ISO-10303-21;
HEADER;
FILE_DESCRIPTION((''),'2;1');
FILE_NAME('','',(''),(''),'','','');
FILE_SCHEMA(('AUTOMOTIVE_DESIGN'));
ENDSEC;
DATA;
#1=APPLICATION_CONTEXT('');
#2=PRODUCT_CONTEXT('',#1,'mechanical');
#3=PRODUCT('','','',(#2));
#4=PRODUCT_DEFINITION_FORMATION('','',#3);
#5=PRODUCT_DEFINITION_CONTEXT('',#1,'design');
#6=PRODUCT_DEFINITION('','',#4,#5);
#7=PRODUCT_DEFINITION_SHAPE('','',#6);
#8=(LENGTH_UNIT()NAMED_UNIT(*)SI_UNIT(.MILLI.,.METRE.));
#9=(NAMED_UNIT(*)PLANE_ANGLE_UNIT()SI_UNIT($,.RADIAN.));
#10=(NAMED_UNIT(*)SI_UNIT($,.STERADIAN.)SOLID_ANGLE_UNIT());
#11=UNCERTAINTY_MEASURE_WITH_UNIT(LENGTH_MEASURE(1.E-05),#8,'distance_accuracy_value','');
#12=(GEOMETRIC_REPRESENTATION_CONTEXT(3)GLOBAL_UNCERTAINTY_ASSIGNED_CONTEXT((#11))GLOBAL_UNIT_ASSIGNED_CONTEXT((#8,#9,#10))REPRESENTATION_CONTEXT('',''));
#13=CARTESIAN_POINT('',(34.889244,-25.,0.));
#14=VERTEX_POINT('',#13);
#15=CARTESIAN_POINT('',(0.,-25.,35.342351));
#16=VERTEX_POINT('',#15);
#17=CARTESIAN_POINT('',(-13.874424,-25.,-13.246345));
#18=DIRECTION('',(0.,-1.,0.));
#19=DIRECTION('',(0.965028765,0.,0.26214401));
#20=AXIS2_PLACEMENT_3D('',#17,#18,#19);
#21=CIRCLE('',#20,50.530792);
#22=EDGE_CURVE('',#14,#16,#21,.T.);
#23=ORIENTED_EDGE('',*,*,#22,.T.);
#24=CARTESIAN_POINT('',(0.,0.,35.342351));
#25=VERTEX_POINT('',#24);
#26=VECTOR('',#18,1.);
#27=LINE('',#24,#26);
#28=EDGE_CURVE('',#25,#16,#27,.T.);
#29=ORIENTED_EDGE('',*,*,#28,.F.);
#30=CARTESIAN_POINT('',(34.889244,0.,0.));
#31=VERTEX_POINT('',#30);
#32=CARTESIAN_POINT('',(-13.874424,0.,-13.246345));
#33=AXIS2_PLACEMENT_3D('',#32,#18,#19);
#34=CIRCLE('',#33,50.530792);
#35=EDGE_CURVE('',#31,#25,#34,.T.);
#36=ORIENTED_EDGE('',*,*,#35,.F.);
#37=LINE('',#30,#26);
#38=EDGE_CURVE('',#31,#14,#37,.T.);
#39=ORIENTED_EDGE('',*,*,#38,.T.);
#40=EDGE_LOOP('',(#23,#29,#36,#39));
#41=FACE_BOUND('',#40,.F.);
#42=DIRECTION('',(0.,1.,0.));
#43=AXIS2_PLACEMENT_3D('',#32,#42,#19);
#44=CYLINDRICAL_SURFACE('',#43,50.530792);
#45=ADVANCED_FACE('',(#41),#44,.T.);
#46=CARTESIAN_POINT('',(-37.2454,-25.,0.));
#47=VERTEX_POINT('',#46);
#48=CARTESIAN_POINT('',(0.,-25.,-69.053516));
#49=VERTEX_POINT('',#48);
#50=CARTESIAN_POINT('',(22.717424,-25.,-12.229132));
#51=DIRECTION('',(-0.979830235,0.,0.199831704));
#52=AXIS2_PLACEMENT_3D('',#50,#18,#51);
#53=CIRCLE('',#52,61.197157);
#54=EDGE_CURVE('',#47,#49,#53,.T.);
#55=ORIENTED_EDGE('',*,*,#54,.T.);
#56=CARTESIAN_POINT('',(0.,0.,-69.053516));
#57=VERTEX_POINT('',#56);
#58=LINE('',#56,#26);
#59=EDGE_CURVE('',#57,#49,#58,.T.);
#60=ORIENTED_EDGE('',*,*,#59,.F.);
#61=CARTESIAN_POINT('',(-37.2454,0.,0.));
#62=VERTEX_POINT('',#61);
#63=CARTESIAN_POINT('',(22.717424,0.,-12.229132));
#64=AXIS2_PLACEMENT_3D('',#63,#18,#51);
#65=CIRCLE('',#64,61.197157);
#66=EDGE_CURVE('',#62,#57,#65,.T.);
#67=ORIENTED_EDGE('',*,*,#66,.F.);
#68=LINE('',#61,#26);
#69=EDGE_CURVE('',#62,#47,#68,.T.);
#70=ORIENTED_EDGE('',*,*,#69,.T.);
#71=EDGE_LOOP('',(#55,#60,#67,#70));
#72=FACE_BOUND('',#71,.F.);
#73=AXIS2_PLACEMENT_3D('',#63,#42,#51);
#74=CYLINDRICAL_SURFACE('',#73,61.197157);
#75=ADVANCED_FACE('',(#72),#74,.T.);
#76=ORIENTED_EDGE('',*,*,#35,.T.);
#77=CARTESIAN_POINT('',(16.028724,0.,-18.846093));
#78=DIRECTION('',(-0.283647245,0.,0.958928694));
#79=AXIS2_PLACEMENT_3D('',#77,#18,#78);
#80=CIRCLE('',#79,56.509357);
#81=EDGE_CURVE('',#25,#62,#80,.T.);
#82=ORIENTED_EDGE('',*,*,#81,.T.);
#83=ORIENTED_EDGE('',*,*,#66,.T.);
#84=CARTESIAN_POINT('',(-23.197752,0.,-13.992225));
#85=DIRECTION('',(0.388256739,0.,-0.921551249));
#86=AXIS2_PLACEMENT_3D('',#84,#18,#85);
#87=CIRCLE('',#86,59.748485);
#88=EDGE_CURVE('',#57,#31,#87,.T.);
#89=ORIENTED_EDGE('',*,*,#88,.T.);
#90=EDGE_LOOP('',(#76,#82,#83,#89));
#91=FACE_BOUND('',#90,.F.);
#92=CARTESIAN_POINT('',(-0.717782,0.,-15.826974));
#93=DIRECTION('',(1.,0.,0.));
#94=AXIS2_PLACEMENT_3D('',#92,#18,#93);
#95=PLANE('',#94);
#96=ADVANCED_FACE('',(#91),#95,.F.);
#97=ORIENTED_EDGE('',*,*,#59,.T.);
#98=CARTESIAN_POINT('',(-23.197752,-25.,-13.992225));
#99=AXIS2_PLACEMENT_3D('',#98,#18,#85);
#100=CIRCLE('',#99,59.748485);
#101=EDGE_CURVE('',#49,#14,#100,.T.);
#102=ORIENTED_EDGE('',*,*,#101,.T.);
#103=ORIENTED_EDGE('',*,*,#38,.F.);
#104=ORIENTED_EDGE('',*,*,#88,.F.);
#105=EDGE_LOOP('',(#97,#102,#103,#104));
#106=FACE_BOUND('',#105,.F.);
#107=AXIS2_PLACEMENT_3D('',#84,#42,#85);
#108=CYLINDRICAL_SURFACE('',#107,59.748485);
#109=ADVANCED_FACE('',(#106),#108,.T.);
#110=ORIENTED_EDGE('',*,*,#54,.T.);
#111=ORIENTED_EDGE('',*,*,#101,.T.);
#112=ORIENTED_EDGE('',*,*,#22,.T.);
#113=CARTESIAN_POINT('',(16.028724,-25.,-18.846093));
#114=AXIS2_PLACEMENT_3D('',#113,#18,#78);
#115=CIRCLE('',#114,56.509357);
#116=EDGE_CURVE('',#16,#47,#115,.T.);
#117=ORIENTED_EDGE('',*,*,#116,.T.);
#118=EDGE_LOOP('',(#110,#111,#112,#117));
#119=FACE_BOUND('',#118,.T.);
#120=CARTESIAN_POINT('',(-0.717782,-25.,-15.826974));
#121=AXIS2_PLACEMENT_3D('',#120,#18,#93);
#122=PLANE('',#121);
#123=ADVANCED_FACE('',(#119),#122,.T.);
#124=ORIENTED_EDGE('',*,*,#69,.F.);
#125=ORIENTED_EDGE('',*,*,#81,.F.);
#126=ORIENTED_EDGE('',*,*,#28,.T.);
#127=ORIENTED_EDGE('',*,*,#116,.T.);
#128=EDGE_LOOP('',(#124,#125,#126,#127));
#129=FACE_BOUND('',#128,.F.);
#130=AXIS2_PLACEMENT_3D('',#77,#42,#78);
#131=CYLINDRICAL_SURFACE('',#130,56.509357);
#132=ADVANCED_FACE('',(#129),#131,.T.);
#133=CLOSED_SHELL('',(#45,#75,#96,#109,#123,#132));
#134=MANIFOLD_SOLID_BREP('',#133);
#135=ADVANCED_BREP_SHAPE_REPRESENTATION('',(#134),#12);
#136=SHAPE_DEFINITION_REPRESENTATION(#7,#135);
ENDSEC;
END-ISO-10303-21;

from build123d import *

# Parameters (mm, degrees)
F1_DEPTH = 25


with BuildPart() as f1:
    # F0 (on Front) → F1 (new body)
    with BuildSketch(Plane.XZ):
        with BuildLine():
            ThreePointArc((34.889244, 0), (22.086014, 22.253062), (0, 35.342351))
            ThreePointArc((0, 35.342351), (-22.868469, 22.145563), (-37.2454, 0))
            ThreePointArc((-37.2454, 0), (-31.144463, -41.280622), (0, -69.053516))
            ThreePointArc((0, -69.053516), (30.130473, -40.936276), (34.889244, 0))
        make_face()
    extrude(amount=F1_DEPTH)


solid = f1.part
